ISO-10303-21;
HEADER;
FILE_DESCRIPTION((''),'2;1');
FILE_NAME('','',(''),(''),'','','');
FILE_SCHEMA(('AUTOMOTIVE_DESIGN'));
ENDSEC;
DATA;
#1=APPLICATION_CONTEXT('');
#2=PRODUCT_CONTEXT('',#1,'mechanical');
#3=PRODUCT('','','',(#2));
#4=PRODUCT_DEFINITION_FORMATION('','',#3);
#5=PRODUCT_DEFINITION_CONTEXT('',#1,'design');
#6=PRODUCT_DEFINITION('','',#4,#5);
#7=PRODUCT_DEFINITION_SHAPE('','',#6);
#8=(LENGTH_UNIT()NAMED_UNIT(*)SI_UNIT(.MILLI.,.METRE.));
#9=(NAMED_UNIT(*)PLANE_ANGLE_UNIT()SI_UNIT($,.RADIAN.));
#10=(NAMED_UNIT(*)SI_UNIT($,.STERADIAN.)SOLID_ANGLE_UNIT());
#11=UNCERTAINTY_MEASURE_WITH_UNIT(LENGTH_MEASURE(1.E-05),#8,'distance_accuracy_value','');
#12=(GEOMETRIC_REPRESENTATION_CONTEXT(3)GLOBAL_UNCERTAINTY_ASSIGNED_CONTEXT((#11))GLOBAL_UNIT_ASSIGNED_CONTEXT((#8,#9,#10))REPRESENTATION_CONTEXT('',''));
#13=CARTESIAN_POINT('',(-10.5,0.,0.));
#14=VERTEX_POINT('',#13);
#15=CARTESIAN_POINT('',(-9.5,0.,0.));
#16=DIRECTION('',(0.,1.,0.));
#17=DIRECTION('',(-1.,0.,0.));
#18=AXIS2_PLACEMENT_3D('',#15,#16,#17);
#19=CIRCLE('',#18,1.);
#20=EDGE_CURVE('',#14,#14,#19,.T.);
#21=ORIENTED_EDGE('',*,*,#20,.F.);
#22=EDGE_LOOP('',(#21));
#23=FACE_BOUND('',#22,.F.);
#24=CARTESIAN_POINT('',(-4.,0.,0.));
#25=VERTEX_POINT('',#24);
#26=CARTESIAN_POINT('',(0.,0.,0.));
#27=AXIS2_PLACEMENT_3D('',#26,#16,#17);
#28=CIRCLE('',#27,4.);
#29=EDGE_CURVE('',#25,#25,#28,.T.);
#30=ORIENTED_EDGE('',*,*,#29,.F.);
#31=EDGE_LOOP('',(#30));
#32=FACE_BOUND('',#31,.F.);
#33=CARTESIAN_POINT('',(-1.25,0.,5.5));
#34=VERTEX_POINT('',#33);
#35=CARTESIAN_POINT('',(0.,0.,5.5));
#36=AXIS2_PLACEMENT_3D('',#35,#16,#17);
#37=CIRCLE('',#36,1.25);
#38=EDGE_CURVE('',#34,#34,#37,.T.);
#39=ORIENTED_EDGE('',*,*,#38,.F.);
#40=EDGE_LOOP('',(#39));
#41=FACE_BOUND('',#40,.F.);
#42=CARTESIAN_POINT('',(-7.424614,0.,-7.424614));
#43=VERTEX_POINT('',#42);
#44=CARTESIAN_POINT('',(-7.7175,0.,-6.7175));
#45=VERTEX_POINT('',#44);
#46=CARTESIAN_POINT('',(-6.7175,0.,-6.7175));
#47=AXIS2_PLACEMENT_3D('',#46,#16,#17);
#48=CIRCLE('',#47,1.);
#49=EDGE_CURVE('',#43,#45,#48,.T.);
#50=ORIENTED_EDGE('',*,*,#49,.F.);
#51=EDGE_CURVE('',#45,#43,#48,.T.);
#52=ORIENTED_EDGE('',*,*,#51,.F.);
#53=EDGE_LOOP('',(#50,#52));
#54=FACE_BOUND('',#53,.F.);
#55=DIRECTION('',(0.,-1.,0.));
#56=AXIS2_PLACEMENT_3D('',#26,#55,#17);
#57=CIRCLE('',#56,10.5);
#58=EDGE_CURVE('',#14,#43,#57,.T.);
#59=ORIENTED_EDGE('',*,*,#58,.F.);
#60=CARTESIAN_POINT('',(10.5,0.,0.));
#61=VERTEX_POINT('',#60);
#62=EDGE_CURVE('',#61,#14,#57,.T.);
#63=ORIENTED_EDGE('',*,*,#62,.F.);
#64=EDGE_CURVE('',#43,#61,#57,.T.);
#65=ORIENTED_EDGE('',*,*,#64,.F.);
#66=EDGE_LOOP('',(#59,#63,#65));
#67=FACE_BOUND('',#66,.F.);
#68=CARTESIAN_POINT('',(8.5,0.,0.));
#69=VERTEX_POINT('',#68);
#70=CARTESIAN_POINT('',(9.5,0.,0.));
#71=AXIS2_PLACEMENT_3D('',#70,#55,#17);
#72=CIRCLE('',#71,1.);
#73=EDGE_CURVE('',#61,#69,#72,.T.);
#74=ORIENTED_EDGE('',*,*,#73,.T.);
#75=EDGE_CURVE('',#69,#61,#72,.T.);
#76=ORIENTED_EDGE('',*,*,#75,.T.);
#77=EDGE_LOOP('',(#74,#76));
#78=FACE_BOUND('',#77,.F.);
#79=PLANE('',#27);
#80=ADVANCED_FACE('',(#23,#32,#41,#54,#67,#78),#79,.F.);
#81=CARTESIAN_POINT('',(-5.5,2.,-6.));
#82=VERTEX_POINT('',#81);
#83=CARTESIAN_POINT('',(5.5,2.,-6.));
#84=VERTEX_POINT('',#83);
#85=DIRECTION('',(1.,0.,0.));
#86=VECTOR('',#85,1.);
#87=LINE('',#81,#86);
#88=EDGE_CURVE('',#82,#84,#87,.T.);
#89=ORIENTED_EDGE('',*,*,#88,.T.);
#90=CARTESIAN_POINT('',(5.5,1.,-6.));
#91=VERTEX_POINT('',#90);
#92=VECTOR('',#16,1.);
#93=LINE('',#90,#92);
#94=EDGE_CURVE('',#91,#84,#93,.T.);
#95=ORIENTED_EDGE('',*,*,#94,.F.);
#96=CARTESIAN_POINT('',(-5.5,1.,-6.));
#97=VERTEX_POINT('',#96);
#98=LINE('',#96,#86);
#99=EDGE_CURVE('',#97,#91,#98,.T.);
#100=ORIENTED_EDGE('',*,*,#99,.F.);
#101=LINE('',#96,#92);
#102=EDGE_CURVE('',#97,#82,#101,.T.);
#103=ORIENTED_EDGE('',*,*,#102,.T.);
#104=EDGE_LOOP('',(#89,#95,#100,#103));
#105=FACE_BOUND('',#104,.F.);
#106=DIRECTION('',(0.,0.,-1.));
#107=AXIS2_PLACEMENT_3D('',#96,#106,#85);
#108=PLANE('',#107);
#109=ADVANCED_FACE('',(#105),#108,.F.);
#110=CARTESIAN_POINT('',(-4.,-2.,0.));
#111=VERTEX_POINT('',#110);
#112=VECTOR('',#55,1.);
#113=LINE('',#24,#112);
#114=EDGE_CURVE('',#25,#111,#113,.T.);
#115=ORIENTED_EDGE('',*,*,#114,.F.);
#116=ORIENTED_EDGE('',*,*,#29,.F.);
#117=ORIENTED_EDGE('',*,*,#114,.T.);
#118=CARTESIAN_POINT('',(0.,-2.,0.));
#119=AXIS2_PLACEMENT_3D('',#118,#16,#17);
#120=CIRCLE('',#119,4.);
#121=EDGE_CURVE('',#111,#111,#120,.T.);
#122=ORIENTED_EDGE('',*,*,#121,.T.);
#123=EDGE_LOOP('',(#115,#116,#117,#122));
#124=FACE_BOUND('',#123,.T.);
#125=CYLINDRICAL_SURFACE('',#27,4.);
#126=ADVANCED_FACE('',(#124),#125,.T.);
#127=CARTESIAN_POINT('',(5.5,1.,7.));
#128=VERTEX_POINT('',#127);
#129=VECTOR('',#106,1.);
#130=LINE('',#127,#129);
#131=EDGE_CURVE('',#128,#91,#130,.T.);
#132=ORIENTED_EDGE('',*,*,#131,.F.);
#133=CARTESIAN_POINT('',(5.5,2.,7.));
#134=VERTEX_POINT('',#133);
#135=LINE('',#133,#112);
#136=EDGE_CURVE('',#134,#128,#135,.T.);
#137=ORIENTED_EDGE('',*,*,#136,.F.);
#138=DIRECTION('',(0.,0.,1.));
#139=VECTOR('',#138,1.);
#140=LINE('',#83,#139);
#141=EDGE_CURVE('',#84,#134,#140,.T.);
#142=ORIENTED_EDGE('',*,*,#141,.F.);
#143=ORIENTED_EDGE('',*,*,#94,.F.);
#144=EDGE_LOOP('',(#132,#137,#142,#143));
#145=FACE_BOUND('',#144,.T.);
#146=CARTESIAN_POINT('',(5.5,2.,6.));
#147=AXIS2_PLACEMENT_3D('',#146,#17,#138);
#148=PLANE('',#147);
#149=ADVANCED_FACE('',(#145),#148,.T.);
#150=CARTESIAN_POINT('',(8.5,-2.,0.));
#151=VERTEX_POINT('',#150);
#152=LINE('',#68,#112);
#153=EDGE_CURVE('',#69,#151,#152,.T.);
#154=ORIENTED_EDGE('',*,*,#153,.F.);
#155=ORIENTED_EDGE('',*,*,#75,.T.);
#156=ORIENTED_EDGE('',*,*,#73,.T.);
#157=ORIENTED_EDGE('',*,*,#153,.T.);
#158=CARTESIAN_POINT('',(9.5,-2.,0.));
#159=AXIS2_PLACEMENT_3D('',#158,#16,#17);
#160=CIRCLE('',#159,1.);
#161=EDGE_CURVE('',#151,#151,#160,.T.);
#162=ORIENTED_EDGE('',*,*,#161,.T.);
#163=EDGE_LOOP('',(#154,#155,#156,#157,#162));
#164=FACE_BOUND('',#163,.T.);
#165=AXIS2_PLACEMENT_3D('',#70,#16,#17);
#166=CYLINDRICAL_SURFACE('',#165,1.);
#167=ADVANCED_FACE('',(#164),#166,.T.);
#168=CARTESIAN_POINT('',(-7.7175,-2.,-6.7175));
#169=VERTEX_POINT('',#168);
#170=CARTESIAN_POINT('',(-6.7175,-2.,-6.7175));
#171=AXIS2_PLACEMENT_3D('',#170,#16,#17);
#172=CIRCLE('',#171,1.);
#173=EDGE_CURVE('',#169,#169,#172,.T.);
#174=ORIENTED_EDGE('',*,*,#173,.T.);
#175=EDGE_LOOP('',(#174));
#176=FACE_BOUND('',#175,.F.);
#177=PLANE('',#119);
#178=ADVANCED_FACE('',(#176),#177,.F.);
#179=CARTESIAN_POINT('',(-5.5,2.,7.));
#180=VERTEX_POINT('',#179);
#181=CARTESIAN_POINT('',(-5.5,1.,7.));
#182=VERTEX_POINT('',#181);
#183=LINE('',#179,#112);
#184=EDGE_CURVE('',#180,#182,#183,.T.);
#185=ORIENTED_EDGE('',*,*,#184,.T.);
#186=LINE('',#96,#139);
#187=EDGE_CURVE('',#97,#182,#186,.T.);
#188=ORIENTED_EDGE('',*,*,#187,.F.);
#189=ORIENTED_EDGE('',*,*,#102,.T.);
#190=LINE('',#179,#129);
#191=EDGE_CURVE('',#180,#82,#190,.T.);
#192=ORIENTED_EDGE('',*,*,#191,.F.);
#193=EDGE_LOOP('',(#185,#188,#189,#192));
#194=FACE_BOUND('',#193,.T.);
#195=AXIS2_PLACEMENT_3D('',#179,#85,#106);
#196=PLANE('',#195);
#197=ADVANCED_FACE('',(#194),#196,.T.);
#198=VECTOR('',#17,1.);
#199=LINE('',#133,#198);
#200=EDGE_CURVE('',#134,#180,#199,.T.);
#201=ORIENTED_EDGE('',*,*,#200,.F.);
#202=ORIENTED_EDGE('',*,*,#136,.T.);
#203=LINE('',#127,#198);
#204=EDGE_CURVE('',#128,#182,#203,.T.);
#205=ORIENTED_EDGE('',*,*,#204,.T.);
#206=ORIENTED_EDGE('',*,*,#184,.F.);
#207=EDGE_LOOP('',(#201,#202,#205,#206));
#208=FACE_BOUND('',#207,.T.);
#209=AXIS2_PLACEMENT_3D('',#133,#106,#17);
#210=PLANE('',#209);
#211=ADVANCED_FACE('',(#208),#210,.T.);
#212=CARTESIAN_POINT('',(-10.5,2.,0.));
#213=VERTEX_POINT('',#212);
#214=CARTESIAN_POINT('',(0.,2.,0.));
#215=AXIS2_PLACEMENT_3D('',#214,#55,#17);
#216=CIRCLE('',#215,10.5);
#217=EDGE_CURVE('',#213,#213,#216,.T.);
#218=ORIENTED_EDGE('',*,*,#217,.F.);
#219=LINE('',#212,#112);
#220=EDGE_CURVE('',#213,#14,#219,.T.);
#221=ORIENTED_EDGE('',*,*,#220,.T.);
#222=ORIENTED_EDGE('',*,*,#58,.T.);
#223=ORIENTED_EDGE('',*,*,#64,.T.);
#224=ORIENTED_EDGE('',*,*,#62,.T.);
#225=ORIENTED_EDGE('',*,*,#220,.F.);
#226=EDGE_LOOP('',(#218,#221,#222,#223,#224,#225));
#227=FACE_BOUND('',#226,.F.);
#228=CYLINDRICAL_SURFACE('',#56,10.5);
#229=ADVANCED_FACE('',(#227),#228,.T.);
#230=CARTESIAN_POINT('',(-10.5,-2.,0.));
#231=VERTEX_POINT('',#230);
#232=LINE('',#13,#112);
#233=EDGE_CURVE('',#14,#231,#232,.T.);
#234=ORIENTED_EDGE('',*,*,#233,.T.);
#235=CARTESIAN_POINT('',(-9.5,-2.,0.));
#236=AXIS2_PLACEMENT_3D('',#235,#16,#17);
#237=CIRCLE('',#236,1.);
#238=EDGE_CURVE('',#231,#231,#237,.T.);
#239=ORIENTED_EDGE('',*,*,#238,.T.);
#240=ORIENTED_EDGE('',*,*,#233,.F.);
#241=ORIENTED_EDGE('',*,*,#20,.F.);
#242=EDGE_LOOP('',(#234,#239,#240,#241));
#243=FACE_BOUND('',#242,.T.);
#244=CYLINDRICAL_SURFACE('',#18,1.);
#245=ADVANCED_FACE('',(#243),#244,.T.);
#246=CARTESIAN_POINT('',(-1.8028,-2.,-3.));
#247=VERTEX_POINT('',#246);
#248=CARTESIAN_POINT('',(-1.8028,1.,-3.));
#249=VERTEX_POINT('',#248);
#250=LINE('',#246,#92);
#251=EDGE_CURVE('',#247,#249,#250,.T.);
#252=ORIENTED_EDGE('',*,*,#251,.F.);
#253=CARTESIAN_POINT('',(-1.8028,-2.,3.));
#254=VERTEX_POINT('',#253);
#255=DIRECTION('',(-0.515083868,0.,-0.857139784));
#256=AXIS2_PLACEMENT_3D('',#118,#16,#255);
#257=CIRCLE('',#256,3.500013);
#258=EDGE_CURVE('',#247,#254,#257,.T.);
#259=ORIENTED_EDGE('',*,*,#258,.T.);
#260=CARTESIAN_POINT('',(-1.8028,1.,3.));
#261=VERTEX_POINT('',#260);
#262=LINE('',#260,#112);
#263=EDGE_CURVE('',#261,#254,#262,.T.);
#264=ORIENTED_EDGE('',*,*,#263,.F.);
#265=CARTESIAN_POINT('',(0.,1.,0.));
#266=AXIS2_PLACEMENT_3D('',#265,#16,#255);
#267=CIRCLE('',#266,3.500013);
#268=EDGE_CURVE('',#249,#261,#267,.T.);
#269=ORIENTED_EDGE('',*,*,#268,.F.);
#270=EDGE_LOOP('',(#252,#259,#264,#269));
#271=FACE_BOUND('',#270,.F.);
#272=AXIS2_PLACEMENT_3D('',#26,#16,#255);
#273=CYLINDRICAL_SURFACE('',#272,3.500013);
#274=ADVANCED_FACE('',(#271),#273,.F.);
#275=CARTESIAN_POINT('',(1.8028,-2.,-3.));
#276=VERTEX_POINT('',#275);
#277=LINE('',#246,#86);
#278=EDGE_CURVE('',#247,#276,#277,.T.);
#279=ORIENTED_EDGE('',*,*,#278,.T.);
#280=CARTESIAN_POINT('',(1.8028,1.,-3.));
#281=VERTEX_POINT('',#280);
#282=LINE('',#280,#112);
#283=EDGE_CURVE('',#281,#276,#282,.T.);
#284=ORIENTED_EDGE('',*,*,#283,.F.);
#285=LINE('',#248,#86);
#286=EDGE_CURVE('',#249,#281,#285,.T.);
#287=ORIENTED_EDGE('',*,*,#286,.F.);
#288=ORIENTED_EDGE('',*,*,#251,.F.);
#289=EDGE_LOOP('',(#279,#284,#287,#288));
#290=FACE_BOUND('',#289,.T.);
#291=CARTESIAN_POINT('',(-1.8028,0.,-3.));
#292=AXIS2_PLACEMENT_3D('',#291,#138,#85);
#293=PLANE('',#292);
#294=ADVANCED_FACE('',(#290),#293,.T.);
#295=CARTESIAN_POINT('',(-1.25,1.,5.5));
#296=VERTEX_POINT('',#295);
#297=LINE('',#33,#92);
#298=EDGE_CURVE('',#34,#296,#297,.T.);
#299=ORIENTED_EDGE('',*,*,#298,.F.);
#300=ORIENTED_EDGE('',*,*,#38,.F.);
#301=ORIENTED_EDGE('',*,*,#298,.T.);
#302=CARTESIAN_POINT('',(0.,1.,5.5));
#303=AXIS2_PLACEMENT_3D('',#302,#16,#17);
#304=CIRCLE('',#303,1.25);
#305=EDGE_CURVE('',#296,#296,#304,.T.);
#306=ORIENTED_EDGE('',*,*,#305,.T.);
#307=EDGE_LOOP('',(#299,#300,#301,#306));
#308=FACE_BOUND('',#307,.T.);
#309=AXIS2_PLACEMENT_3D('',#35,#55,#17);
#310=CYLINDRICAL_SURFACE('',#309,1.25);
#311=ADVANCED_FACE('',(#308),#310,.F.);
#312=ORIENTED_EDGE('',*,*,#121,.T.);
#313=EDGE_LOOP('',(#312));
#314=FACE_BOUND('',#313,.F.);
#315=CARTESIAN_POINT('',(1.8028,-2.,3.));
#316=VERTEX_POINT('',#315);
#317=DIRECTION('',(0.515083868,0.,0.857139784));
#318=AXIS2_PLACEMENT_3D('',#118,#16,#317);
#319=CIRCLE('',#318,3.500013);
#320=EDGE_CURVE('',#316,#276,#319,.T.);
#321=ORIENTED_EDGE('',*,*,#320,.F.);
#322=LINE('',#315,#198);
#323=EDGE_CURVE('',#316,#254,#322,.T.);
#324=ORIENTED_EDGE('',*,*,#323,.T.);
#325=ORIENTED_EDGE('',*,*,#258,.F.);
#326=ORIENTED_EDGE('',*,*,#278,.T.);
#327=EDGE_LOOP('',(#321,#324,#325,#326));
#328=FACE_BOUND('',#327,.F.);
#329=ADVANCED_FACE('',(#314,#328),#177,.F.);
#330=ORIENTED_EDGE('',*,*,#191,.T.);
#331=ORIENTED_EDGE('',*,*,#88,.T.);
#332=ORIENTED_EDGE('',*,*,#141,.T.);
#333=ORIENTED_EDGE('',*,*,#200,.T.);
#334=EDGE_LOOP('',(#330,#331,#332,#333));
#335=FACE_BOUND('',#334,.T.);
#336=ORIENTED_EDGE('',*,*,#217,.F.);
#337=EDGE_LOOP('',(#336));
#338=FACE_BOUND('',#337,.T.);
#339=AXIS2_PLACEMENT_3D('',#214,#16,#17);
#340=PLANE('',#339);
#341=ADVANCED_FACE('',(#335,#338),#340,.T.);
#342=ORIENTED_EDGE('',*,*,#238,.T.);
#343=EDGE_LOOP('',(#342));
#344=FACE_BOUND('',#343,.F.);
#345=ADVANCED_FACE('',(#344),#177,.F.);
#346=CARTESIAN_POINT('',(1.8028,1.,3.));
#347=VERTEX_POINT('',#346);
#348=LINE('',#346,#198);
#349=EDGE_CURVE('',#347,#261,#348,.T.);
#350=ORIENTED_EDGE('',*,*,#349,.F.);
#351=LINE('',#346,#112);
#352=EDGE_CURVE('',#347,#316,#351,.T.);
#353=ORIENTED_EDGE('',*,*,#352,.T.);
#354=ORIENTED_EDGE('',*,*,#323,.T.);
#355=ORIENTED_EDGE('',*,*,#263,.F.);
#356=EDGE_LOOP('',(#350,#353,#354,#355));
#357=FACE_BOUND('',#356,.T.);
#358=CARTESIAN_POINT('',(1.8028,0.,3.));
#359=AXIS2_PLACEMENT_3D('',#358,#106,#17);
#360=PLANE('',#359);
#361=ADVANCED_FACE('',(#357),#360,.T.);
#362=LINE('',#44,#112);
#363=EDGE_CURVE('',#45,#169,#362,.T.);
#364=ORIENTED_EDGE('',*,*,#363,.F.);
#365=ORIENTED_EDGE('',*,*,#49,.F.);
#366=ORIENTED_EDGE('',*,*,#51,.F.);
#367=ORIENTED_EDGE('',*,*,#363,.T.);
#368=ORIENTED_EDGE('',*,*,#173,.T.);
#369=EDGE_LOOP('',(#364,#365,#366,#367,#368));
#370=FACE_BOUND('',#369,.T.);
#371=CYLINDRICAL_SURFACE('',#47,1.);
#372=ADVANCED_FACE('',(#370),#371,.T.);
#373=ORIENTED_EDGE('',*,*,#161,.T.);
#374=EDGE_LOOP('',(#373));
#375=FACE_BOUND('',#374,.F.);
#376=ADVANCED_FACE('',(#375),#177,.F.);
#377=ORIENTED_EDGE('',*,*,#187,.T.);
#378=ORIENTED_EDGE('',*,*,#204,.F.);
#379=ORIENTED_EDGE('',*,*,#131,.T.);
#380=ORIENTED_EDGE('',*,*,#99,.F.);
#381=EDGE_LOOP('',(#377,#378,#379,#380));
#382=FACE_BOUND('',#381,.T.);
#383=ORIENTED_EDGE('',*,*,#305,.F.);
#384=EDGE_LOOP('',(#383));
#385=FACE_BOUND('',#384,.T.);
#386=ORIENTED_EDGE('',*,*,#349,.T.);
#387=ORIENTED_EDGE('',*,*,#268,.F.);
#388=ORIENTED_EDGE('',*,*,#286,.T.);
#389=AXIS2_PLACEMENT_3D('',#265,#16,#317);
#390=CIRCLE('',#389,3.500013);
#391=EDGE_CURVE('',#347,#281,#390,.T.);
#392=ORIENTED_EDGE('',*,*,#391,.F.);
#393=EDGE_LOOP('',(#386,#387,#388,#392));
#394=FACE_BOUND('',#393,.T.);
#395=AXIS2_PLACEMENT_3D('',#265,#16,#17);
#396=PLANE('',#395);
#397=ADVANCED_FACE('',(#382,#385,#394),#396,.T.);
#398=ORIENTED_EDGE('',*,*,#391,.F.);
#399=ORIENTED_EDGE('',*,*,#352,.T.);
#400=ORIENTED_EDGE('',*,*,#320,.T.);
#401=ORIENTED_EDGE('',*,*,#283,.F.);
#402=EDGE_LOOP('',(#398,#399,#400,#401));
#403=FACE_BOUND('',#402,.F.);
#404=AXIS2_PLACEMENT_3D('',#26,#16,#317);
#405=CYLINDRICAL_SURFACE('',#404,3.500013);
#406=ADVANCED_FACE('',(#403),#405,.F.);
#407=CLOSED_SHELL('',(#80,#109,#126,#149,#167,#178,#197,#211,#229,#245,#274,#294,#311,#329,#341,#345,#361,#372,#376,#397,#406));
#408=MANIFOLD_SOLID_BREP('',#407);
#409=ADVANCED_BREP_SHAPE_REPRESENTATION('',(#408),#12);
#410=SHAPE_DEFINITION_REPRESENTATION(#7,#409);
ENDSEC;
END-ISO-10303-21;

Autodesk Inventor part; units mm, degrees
ref_plane "YZ Plane" through (0, 0, 0) normal (1, 0, 0) x (0, 1, 0)
ref_plane "XZ Plane" through (0, 0, 0) normal (0, 1, 0) x (-1, 0, 0)
ref_plane "XY Plane" through (0, 0, 0) normal (0, 0, 1) x (1, 0, 0)
sketch "Эскиз1" plane through (0, 0, 0) normal (0, 1, 0) x (-1, 0, 0)
  circle A0 centre (0, 0) radius 10.5
  circle A1 centre (0, 0) radius 4
  line L0 (0, -3) -> (0, 3) construction
  line L1 (1.8028, -3) -> (-1.8028, -3)
  line L2 (-1.8028, 3) -> (1.8028, 3)
  circle A2 centre (0, 5.5) radius 1.25
  circle A3 centre (9.5, 0) radius 1
  circle A4 centre (-9.5, 0) radius 1
  line L3 (5.5, -6) -> (-5.5, -6)
  line L4 (-5.5, -6) -> (-5.5, 6)
  line L5 (5.5, 6) -> (5.5, -6)
  line L6 (5.5, -6) -> (-5.5, 6) construction
  line L7 (0, 10.5) -> (0, -10.5) construction
  arc A5 (1.8028, -3) -> (1.8028, 3) centre (0, 0) ccw
  arc A6 (-1.8028, 3) -> (-1.8028, -3) centre (0, 0) ccw
  arc A7 (1.8028, -3) -> (1.8028, 3) centre (0, 0) ccw
  arc A8 (-1.8028, 3) -> (-1.8028, -3) centre (0, 0) ccw
  line L8 (-5.5, 6) -> (-1.1456, 6)
  line L9 (1.1456, 6) -> (5.5, 6)
  line L10 (5.5, 6) -> (-5.5, 6)
  line L11 (-5.5, 6) -> (-5.5, 7)
  line L12 (-5.5, 7) -> (5.5, 7)
  line L13 (5.5, 7) -> (5.5, 6)
  line L14 (11.1303, -11.1303) -> (0, 0) construction
  line L15 (0, 0) -> (18.9619, 0) construction
  circle A9 centre (6.7175, -6.7175) radius 1
  dimension "d0" = 21
  dimension "d1" = 8
  dimension "d3" = 6
  dimension "d4" = 2.5
  dimension "d5" = 2.5
  dimension "d6" = 2
  dimension "d7" = 2
  dimension "d8" = 11
  dimension "d9" = 12
  dimension "d18" = 1
  dimension "d21" = 45
  dimension "d22" = 2
extrude "Выдавливание1" add sketch "Эскиз1" along normal blind 1 contours A4 | A9 | A0 | A3 | A1 | A2 L9 L5 L3 L4 L8 | A2 L8 L11 L12 L13 L9
extrude "Выдавливание2" add sketch "Эскиз1" along normal blind 1 from surface at 1 contours A4 | A9 | A0 | A3 | A2 L8 L11 L12 L13 L9
extrude "Выдавливание3" add sketch "Эскиз1" against normal blind 2 contours A1
extrude "Выдавливание4" add sketch "Эскиз1" against normal blind 2 contours A4 | A3
extrude "Выдавливание5" cut sketch "Эскиз1" against normal up to surface (1 mm away) from surface at 2 contours A2 L8 L11 L12 L13 L9
extrude "Выдавливание6" add sketch "Эскиз1" against normal blind 2 contours A9
properties part number "4P_Switch_Spacer"
